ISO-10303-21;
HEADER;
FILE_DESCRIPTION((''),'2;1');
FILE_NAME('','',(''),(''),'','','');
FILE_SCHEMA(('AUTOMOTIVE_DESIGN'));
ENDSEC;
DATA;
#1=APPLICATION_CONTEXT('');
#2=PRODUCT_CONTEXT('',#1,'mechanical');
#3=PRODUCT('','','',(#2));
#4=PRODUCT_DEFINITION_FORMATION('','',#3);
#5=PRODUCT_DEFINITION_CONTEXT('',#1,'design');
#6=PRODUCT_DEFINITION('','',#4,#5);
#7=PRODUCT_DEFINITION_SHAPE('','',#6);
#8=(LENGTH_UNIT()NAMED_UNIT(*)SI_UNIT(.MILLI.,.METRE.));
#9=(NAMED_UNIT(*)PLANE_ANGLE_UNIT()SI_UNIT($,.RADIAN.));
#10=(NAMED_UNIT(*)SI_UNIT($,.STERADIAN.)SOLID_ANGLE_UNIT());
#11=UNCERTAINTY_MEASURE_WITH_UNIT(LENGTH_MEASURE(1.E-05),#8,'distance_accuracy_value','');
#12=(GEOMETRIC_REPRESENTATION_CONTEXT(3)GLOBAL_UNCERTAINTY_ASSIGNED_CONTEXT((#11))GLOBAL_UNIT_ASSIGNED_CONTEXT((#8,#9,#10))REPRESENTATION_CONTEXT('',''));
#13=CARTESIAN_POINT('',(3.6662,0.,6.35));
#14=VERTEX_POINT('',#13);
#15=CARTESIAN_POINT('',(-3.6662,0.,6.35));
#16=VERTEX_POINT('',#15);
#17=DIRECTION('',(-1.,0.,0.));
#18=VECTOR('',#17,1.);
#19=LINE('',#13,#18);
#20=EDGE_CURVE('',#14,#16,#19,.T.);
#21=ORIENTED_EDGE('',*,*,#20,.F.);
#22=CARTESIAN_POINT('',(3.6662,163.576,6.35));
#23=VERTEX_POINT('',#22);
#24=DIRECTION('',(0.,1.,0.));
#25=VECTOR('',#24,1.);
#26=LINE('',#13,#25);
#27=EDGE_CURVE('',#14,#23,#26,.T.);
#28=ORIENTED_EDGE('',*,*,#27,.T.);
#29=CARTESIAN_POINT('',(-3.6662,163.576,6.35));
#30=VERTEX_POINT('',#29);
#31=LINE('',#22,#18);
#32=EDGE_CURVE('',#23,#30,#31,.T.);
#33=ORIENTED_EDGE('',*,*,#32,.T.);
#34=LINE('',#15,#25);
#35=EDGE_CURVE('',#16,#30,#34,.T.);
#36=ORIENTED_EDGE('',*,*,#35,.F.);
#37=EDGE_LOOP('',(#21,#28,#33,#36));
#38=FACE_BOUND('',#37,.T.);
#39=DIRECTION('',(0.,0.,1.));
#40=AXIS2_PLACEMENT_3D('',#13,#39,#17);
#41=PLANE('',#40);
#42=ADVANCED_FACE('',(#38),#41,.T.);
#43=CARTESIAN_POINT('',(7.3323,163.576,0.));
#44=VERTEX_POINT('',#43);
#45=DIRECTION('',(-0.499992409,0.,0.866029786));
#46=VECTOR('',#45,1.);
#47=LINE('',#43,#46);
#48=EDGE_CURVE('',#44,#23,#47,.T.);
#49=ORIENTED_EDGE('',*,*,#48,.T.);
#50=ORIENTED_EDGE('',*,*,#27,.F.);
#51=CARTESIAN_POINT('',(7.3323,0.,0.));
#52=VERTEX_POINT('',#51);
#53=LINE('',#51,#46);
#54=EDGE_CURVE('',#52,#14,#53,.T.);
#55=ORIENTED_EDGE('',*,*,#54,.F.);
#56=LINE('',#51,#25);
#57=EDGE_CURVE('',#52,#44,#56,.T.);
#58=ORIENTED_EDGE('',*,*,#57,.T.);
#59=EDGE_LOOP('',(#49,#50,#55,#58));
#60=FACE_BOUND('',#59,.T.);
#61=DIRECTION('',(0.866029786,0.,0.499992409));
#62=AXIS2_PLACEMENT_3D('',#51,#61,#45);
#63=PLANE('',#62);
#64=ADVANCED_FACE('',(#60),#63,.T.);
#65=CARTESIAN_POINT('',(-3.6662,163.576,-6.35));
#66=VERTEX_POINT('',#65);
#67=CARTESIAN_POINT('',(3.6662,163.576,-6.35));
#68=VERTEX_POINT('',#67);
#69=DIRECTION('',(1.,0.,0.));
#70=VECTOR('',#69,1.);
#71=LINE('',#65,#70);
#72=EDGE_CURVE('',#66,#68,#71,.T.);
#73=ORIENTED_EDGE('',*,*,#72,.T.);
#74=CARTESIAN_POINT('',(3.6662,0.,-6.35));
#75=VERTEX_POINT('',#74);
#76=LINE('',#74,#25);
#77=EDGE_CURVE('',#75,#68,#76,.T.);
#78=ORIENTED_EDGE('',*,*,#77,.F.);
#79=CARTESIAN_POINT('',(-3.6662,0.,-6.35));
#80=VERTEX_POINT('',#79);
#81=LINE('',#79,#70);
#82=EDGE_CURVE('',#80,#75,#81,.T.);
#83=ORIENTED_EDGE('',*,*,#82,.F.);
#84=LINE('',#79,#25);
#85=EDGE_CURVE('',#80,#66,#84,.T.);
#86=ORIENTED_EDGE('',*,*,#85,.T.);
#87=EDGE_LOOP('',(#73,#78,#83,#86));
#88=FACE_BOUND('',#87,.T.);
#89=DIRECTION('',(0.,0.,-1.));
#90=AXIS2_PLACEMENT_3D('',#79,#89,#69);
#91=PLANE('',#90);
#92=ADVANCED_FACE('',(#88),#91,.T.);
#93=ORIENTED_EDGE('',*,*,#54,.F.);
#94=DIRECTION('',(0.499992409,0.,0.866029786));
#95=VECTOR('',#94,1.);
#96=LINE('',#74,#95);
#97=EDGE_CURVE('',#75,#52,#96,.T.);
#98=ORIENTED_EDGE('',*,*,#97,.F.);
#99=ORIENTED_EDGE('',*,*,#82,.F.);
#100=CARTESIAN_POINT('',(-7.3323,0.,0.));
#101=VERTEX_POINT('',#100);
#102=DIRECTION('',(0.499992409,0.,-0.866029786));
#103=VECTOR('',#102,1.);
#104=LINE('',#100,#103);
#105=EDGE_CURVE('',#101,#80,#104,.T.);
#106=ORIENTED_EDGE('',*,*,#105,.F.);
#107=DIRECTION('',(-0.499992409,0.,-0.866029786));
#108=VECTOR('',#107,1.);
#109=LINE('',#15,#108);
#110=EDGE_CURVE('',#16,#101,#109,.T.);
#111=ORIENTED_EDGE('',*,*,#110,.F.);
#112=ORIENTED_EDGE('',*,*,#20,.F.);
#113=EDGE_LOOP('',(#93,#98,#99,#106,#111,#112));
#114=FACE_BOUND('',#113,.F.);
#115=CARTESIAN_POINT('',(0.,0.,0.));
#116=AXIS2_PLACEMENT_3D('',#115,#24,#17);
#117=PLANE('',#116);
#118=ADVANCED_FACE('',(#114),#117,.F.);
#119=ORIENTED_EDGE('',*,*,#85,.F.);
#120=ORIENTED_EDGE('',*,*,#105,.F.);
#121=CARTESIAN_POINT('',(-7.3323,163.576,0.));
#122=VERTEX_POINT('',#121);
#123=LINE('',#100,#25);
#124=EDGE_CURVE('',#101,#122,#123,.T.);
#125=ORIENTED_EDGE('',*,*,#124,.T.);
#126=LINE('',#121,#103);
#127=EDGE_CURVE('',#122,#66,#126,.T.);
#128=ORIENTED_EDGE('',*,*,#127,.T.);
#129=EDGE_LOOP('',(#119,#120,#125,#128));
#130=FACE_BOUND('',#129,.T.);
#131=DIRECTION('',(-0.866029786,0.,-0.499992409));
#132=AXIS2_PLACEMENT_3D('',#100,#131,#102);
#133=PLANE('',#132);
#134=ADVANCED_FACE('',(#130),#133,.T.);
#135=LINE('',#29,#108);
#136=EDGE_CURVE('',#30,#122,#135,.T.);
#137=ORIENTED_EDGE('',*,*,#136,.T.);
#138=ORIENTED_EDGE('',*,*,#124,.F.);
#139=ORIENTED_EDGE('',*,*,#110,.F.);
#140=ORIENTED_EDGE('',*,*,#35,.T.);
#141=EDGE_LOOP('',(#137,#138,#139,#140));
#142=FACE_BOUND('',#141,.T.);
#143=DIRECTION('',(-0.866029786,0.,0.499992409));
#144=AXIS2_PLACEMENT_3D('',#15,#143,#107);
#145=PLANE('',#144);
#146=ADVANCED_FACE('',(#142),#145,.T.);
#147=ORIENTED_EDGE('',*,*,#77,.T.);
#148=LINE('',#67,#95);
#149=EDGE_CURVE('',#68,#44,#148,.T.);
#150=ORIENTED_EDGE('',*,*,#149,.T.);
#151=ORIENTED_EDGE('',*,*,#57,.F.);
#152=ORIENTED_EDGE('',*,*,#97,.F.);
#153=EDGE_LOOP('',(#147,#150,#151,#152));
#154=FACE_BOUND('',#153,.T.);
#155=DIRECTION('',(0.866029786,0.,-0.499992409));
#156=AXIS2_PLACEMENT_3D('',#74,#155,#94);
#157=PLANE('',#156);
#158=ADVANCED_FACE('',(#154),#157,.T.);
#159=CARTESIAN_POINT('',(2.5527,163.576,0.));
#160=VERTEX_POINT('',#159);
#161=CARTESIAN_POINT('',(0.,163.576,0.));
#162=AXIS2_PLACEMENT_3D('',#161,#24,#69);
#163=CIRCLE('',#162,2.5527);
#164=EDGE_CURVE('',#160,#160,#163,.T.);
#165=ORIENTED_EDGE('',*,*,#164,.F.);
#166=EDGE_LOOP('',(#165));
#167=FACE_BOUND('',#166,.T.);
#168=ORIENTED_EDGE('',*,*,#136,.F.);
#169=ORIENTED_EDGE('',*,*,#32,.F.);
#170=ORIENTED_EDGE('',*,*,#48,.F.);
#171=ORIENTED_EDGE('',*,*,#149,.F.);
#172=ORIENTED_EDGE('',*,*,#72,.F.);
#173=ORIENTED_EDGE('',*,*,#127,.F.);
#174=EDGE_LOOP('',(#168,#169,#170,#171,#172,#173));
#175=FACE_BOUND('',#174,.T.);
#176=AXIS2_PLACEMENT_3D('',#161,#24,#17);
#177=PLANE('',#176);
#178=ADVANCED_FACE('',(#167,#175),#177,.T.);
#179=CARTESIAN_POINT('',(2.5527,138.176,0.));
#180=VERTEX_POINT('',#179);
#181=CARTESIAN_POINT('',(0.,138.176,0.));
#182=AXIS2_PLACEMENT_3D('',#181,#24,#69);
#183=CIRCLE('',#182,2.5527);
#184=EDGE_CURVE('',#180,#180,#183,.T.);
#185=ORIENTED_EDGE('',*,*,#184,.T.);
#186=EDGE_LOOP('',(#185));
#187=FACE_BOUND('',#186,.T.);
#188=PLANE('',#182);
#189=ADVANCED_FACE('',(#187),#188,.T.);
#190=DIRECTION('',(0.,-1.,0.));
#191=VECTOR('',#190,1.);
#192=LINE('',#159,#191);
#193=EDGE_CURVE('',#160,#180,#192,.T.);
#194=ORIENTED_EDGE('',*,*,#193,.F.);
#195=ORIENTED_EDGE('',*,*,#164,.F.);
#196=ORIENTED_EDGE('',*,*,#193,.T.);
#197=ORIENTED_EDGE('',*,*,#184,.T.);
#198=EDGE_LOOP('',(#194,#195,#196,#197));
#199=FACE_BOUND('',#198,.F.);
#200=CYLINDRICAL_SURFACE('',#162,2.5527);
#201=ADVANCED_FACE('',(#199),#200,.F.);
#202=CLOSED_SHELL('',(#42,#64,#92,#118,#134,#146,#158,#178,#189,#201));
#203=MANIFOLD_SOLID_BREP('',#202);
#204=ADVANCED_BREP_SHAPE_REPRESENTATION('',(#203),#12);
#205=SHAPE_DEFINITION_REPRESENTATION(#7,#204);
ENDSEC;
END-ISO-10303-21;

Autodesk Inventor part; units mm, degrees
ref_plane "YZ Plane" through (0, 0, 0) normal (1, 0, 0) x (0, 1, 0)
ref_plane "XZ Plane" through (0, 0, 0) normal (0, 1, 0) x (-1, 0, 0)
ref_plane "XY Plane" through (0, 0, 0) normal (0, 0, 1) x (1, 0, 0)
sketch "Sketch1" plane through (0, 0, 0) normal (0, 1, 0) x (-1, 0, 0)
  line L0 (-7.3323, 0) -> (-3.6662, 6.35)
  line L1 (-3.6662, 6.35) -> (3.6662, 6.35)
  line L2 (3.6662, 6.35) -> (7.3323, 0)
  line L3 (7.3323, 0) -> (3.6662, -6.35)
  line L4 (3.6662, -6.35) -> (-3.6662, -6.35)
  line L5 (-3.6662, -6.35) -> (-7.3323, 0)
  point P0 (0, 0)
  point P1 (0, 0)
  point P2 (-5.4993, 3.175)
  dimension "d0" = 12.7
extrude "Extrusion1" add sketch "Sketch1" along normal blind 163.576
sketch "Sketch2" plane through (0, 163.576, 0) normal (0, 1, 0) x (1, 0, 0)
  circle A0 centre (0, 0) radius 2.5527
  dimension "d3" = 5.1054
extrude "Extrusion2" cut sketch "Sketch2" against normal blind 25.4
properties part number "INDEX_009_6inHex" material "Aluminum 6061"
